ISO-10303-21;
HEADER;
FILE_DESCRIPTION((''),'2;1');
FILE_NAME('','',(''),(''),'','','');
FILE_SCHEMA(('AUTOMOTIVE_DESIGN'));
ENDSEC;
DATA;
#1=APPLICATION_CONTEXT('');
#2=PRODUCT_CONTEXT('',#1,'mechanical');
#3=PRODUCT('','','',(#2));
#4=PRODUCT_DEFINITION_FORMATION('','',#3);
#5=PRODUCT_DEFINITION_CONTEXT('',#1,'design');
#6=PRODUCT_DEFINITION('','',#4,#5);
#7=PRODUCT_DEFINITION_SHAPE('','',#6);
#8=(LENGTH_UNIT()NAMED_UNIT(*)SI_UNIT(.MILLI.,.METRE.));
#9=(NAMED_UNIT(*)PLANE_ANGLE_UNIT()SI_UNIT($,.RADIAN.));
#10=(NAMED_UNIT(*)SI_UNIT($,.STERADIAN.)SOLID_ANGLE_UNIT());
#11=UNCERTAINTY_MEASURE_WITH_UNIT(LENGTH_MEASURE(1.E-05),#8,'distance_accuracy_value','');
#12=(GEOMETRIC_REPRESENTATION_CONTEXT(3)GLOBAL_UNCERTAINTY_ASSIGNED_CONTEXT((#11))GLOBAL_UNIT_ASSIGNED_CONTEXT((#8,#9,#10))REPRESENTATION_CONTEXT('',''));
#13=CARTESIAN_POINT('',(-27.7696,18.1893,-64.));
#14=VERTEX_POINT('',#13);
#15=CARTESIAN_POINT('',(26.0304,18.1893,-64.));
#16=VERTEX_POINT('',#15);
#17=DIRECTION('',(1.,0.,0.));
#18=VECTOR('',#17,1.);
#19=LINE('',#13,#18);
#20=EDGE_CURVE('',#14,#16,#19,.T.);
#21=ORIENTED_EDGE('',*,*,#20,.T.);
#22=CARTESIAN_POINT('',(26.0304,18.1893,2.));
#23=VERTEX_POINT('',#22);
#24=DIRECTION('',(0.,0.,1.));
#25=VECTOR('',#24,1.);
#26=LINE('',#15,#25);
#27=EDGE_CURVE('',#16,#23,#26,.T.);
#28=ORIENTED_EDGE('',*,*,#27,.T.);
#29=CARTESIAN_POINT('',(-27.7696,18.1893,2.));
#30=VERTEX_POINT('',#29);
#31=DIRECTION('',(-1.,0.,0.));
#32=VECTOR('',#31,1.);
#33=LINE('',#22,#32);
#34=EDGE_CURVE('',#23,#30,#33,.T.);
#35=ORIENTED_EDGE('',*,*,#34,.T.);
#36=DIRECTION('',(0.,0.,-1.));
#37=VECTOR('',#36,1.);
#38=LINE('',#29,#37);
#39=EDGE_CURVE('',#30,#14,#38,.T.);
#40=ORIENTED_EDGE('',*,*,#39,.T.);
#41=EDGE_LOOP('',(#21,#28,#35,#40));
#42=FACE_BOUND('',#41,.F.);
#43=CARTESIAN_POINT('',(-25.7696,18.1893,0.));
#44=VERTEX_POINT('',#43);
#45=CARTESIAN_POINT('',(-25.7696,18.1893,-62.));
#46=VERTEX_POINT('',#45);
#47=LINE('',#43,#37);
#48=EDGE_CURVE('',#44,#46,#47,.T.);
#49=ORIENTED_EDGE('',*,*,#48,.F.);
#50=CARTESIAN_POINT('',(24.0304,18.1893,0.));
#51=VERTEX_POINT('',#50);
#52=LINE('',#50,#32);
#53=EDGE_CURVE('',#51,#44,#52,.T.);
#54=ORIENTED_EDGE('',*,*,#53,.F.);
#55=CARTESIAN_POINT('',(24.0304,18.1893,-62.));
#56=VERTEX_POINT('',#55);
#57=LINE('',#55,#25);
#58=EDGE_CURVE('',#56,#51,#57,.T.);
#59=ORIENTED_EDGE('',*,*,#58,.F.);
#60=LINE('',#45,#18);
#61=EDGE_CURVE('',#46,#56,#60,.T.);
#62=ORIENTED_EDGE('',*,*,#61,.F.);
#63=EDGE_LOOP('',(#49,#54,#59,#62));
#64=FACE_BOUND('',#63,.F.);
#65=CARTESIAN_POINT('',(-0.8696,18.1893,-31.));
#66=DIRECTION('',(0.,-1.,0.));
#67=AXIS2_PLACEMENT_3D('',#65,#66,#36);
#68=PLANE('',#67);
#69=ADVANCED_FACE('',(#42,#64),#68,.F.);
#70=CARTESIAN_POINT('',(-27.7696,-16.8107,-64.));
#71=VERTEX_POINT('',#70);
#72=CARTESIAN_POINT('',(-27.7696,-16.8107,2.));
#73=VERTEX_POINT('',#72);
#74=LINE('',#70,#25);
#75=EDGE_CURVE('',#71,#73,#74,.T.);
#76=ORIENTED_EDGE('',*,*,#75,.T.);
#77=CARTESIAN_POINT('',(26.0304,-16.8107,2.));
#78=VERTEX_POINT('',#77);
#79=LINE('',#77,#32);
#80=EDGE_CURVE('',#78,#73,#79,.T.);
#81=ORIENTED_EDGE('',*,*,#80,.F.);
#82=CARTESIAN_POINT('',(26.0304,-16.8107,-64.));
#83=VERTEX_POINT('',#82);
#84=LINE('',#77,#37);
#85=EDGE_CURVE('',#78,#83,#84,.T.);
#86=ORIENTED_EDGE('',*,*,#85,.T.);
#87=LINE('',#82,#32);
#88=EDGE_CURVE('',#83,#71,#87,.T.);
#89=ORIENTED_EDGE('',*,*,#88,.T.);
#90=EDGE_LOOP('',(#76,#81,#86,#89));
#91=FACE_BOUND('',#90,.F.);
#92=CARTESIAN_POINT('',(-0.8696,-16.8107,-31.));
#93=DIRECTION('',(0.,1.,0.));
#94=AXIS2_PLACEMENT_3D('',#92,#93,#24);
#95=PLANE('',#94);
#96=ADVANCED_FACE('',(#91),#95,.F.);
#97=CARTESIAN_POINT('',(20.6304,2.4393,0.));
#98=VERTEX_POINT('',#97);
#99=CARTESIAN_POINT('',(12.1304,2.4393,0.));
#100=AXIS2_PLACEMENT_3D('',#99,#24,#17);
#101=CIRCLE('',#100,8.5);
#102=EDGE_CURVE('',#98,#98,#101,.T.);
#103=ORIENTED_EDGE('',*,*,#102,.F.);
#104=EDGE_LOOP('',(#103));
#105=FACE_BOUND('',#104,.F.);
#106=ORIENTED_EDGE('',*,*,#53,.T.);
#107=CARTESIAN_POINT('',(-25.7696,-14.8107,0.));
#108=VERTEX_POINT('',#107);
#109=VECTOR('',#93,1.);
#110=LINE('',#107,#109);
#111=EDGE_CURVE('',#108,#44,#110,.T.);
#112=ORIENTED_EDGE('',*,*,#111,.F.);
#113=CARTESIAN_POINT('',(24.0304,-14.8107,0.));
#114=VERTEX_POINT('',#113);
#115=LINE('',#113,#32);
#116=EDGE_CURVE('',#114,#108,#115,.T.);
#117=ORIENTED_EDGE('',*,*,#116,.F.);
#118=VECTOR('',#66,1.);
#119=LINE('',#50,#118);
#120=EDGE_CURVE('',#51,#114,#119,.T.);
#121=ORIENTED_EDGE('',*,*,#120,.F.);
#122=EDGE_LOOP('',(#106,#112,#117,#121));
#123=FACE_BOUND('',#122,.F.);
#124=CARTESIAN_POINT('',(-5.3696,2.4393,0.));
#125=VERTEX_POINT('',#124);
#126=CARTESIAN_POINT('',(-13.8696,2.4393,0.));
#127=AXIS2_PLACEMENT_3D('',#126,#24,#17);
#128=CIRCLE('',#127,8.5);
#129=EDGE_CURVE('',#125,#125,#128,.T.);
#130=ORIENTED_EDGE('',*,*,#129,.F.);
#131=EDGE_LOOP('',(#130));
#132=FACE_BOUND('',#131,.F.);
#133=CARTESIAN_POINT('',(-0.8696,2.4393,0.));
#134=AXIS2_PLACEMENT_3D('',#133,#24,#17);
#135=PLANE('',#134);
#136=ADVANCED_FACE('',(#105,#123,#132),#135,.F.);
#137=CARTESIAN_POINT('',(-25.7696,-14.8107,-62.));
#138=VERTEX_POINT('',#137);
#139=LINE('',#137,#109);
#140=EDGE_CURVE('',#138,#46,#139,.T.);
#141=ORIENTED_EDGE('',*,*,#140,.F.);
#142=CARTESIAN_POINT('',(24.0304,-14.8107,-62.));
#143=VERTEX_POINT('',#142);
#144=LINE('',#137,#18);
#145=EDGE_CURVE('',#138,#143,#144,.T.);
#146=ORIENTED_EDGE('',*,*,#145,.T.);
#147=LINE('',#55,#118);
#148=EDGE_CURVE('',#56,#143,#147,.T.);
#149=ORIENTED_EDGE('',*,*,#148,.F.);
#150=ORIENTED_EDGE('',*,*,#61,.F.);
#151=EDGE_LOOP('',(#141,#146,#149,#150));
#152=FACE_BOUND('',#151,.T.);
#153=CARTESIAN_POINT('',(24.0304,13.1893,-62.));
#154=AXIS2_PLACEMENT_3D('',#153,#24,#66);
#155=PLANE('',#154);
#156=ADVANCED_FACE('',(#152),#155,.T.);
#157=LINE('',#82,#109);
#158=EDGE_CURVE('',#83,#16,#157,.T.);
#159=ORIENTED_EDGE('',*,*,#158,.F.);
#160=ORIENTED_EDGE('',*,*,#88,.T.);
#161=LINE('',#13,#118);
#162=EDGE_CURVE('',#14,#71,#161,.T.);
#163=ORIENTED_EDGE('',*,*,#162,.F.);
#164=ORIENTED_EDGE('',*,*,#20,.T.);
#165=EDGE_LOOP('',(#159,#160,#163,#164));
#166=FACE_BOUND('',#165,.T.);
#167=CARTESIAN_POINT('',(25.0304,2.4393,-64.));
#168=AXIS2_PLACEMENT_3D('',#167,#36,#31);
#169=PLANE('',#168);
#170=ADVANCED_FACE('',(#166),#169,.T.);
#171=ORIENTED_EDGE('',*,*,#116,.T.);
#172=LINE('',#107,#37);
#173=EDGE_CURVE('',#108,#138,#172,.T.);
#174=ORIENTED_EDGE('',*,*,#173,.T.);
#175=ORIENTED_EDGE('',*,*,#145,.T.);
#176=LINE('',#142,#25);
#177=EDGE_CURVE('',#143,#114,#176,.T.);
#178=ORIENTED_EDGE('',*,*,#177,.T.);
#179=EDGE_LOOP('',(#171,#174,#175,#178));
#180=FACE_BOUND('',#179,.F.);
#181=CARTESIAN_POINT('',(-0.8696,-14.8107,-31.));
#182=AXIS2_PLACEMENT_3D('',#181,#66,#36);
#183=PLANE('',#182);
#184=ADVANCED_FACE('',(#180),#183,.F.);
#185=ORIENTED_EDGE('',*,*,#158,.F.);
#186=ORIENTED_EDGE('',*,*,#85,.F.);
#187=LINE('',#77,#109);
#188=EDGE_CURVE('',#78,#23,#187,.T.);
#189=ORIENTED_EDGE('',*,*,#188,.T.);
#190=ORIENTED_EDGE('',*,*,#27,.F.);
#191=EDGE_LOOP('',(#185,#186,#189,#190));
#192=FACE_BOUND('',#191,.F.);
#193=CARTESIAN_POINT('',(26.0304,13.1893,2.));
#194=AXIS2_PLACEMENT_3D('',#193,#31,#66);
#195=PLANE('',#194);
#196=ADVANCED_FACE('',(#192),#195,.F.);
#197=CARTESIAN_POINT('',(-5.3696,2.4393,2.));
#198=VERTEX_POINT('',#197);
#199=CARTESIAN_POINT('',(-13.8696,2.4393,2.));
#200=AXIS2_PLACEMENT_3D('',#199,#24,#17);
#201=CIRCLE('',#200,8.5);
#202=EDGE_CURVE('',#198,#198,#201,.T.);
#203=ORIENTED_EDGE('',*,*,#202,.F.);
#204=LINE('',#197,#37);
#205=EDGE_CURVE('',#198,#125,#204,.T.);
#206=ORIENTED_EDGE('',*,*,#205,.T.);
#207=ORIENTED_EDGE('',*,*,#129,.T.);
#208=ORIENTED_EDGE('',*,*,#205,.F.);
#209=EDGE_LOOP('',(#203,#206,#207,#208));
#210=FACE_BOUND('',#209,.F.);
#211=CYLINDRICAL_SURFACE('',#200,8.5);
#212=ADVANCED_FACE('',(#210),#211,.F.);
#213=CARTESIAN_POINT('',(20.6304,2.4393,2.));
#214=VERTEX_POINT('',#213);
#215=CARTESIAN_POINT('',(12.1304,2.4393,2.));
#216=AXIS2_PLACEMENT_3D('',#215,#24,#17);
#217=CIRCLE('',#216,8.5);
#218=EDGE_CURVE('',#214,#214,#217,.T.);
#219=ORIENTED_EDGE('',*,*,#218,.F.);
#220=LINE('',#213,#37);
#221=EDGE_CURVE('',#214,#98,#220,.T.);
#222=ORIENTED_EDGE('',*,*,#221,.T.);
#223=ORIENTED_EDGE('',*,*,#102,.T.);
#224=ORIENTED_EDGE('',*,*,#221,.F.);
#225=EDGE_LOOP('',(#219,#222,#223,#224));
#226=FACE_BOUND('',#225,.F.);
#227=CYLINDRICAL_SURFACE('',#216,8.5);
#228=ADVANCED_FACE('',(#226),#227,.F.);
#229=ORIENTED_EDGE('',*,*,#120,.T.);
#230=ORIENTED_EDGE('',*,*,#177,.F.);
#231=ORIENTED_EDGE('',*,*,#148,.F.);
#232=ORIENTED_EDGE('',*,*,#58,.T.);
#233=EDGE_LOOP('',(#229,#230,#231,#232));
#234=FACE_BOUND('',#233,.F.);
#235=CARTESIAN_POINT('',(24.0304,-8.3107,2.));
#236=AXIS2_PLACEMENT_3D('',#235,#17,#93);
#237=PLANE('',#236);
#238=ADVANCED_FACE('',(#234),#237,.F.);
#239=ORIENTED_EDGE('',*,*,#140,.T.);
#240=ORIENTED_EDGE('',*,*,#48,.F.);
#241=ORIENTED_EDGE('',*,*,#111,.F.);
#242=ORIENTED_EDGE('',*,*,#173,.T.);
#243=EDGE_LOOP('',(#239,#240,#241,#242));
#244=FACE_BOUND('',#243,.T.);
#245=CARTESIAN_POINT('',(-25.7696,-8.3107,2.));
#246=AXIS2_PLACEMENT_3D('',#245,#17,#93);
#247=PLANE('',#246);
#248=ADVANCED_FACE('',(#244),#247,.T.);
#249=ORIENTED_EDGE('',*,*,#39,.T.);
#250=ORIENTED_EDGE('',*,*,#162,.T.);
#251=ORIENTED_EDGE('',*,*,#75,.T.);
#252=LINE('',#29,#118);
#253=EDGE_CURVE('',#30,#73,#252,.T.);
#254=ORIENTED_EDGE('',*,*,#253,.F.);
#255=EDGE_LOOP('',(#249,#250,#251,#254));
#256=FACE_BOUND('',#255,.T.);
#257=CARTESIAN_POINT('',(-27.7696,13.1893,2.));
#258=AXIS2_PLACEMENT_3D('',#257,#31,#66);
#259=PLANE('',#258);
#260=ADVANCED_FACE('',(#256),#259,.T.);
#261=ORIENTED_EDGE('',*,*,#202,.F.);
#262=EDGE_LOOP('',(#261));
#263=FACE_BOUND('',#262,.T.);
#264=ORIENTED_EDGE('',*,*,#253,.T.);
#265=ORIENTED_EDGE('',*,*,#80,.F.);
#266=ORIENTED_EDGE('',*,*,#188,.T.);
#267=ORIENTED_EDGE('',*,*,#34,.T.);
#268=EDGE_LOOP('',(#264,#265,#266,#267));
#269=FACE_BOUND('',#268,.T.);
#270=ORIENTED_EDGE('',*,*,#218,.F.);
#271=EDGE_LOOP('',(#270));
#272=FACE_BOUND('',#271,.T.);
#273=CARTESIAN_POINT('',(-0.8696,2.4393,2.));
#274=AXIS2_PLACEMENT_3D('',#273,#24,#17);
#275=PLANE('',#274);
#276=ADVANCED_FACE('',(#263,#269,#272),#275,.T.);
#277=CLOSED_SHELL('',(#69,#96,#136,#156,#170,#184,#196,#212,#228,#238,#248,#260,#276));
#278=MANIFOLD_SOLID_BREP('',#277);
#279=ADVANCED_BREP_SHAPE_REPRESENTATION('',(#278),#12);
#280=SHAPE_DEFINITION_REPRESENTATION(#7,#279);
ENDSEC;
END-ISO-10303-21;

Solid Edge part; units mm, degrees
sketch "Sketch1" plane through (0, 0, 0) normal (0, 0, 1) x (1, 0, 0)
  line L0 (-23.7696, -8.3107) -> (22.0304, -8.3107)
  line L1 (22.0304, -8.3107) -> (22.0304, 13.1893)
  line L2 (22.0304, 13.1893) -> (-23.7696, 13.1893)
  line L3 (-23.7696, 13.1893) -> (-23.7696, -8.3107)
extrude "Protrusion1" add sketch "Sketch1" along normal blind 2
sketch "Sketch2" plane through (-0.8696, 2.4393, 2) normal (0, 0, 1) x (1, 0, 0)
  circle A0 centre (-13, 0) radius 8.5
  circle A1 centre (13, 0) radius 8.5
extrude "ExtrudedCutout_1" cut sketch "Sketch2" against normal blind 110.6455
sketch "Sketch3" plane through (-0.8696, 2.4393, 2) normal (0, 0, 1) x (1, 0, 0)
  line L0 (-22.9, 10.75) -> (-24.9, 10.75)
  line L1 (-24.9, 10.75) -> (-24.9, -10.75)
  line L2 (-24.9, -10.75) -> (-22.9, -10.75)
  line L3 (-22.9, -10.75) -> (-22.9, 10.75)
  line L4 (22.9, 10.75) -> (24.9, 10.75)
  line L5 (24.9, 10.75) -> (24.9, -10.75)
  line L6 (24.9, -10.75) -> (22.9, -10.75)
  line L7 (22.9, -10.75) -> (22.9, 10.75)
extrude "ExtrudedProtrusion_2" add sketch "Sketch3" against normal blind 2
sketch "Sketch4" plane through (-0.8696, 2.4393, 2) normal (0, 0, 1) x (1, 0, 0)
  line L0 (-24.9, 10.75) -> (-26.9, 10.75)
  line L1 (-26.9, 10.75) -> (-26.9, -10.75)
  line L2 (-26.9, -10.75) -> (-24.9, -10.75)
  line L3 (-24.9, -10.75) -> (-24.9, 10.75)
  line L4 (24.9, 10.75) -> (26.9, 10.75)
  line L5 (26.9, 10.75) -> (26.9, -10.75)
  line L6 (26.9, -10.75) -> (24.9, -10.75)
  line L7 (24.9, -10.75) -> (24.9, 10.75)
extrude "ExtrudedProtrusion_4" add sketch "Sketch4" against normal blind 66
sketch "Sketch5" plane through (24.0304, 2.4393, -32) normal (-1, 0, 0) x (0, 0, 1)
  line L0 (-32, 10.75) -> (-30, 10.75)
  line L1 (-30, 10.75) -> (-30, -10.75)
  line L2 (-30, -10.75) -> (-32, -10.75)
  line L3 (-32, -10.75) -> (-32, 10.75)
extrude "ExtrudedProtrusion_5" add sketch "Sketch5" along normal blind 49.8416
sketch "Sketch6" plane through (-0.8696, -8.3107, -31) normal (0, -1, 0) x (-1, 0, 0)
  line L0 (-26.9, 33) -> (26.9, 33)
  line L1 (26.9, 33) -> (26.9, -32.0416)
  line L2 (26.9, -33) -> (26.9, -32.0416)
  line L3 (-26.9, -33) -> (26.9, -33)
  line L4 (-26.9, -33) -> (-26.9, 33)
extrude "ExtrudedProtrusion_6" add sketch "Sketch6" along normal blind 8.5
sketch "Sketch7" plane through (-0.8696, -8.3107, -31) normal (0, 1, 0) x (1, 0, 0)
  line L0 (-24.9, 31) -> (24.9, 31)
  line L1 (24.9, 31) -> (24.9, -31)
  line L2 (24.9, -31) -> (-24.9, -31)
  line L3 (-24.9, -31) -> (-24.9, 31)
extrude "ExtrudedCutout_2" cut sketch "Sketch7" against normal blind 6.5
sketch "Sketch8" plane through (-0.8696, 13.1893, -31) normal (0, 1, 0) x (0, 0, 1)
  line L0 (-33, 26.9) -> (33, 26.9)
  line L1 (33, 26.9) -> (33, -26.9)
  line L2 (33, -26.9) -> (-33, -26.9)
  line L3 (-33, -26.9) -> (-33, 26.9)
extrude "ExtrudedProtrusion_7" add sketch "Sketch8" along normal blind 5
sketch "Sketch9" plane through (-0.8696, 18.1893, -31) normal (0, 1, 0) x (0, 0, 1)
  line L0 (-31, 24.9) -> (31, 24.9)
  line L1 (31, 24.9) -> (31, -24.9)
  line L2 (31, -24.9) -> (-31, -24.9)
  line L3 (-31, -24.9) -> (-31, 24.9)
extrude "ExtrudedCutout_3" cut sketch "Sketch9" against normal blind 33
